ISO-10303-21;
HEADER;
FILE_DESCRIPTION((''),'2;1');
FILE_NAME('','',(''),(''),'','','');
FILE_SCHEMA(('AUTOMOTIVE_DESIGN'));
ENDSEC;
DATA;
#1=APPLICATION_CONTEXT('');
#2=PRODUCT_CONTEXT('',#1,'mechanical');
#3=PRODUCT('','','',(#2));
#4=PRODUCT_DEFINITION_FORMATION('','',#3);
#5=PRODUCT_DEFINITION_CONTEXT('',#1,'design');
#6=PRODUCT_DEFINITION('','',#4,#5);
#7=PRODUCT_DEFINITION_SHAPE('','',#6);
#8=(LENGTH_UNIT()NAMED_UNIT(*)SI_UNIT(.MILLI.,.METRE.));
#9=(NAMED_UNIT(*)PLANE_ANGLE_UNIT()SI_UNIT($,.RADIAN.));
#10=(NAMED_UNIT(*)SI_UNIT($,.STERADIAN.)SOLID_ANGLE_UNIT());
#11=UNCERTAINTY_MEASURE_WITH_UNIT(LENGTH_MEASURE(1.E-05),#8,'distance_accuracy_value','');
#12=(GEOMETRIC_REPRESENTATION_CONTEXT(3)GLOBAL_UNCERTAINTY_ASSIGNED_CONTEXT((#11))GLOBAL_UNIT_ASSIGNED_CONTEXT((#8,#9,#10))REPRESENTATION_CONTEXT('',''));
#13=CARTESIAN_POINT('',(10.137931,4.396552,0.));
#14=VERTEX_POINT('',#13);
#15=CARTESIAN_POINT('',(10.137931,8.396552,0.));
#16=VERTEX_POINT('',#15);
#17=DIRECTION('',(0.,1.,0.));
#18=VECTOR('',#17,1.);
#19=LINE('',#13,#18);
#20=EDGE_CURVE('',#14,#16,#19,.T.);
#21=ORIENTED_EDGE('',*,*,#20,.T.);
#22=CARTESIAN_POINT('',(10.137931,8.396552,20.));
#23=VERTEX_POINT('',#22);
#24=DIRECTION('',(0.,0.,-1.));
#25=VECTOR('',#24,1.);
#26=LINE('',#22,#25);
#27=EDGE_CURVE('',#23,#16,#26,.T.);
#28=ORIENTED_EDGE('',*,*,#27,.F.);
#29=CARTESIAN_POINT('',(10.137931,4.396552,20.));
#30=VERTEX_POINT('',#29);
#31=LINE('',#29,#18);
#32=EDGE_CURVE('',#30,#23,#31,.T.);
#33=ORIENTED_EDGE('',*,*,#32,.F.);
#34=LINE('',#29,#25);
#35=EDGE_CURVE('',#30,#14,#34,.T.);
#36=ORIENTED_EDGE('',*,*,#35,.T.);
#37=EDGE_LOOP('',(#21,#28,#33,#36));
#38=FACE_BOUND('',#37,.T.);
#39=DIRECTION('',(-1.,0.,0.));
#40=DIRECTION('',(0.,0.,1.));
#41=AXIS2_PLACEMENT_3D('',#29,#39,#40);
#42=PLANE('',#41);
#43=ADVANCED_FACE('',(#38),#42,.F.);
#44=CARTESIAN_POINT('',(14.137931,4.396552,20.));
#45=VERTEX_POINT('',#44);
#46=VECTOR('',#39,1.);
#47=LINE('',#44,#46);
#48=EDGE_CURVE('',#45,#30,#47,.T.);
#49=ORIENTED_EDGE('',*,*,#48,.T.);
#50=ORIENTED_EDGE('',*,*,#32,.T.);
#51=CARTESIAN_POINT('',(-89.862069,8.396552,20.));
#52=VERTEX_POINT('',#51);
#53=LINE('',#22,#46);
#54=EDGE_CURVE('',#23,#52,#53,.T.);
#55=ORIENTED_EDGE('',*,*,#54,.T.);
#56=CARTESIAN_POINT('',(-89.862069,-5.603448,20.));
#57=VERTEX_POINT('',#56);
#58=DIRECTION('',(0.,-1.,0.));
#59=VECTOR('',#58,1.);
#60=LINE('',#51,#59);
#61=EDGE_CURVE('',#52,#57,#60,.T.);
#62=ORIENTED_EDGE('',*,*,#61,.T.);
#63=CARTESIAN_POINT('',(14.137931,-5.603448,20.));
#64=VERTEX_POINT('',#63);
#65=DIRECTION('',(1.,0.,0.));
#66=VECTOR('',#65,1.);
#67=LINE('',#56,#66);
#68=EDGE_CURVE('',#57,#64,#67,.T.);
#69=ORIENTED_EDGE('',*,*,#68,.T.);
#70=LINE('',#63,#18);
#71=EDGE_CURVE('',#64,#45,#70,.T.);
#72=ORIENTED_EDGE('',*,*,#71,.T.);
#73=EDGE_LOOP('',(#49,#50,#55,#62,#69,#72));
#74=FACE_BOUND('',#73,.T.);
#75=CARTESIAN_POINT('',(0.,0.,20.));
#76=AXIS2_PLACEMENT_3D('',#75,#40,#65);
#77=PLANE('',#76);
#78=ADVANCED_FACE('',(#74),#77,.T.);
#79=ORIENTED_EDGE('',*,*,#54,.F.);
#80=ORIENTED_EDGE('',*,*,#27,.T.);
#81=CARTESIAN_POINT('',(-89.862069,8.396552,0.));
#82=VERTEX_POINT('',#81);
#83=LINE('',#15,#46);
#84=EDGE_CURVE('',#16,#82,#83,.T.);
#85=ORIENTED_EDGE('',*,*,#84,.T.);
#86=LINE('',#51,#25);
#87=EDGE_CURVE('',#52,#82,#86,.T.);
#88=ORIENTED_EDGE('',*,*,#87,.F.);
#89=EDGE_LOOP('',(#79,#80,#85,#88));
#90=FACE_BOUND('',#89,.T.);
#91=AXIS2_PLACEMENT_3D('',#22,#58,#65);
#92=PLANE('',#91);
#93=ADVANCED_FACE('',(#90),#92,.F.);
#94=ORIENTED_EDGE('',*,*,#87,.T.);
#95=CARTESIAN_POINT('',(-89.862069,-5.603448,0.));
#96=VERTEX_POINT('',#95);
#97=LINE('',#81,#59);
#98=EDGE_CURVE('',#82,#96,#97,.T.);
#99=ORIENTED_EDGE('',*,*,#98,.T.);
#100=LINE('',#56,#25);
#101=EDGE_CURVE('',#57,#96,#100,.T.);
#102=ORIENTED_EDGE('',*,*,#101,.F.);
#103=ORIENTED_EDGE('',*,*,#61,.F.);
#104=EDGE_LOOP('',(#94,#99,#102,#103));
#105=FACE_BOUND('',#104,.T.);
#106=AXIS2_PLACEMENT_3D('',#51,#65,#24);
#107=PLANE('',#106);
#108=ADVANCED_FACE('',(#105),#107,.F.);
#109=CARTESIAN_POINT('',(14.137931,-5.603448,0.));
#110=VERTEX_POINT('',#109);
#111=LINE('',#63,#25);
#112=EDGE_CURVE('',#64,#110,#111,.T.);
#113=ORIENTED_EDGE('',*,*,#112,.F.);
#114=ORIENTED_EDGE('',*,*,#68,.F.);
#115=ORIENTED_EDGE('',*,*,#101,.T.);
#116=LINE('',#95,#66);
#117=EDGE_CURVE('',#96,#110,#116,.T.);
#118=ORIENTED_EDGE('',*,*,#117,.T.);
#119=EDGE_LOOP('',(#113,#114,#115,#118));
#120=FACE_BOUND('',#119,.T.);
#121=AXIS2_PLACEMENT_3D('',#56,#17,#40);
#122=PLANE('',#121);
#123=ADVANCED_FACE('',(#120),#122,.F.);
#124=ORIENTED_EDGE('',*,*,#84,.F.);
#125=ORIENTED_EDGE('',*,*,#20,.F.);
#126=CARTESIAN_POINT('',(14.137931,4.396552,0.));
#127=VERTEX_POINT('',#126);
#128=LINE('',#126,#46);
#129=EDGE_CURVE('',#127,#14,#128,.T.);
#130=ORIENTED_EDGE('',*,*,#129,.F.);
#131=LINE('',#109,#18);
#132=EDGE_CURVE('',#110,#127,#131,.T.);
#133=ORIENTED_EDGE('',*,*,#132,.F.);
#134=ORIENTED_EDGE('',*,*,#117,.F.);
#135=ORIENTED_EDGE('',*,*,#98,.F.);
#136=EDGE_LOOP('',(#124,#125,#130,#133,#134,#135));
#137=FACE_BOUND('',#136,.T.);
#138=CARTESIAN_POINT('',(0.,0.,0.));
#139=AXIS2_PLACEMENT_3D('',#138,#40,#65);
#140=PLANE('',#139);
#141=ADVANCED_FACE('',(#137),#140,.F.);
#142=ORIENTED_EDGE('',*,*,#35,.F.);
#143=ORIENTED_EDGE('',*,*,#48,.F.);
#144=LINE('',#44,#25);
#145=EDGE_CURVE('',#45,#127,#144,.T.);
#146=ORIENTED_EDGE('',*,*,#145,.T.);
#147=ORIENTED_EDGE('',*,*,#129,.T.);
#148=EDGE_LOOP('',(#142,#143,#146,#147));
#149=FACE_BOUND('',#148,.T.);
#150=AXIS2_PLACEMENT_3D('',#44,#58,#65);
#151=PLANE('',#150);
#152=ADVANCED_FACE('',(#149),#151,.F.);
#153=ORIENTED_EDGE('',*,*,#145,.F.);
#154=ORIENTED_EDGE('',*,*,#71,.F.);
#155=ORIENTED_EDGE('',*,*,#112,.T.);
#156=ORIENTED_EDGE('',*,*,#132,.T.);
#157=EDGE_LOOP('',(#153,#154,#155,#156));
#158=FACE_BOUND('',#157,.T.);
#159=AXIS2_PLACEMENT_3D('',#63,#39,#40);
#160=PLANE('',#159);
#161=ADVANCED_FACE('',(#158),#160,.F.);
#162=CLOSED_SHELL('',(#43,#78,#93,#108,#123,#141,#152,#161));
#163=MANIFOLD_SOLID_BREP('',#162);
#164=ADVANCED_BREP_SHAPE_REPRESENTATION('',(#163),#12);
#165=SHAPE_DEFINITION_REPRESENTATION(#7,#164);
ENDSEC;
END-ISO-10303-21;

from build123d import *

# Parameters (mm, degrees)
BOSS_EXTRUDE1_DEPTH = 20


with BuildPart() as part:
    # Sketch1 → Boss-Extrude1 (new body)
    with BuildSketch(Plane.XY):
        Polygon((-89.862068966, 8.396551724), (-89.862068966, -5.603448276), (14.137931034, -5.603448276), (14.137931034, 4.396551724), (10.137931034, 4.396551724), (10.137931034, 8.396551724), align=None)
    extrude(amount=BOSS_EXTRUDE1_DEPTH)


solid = part.part
